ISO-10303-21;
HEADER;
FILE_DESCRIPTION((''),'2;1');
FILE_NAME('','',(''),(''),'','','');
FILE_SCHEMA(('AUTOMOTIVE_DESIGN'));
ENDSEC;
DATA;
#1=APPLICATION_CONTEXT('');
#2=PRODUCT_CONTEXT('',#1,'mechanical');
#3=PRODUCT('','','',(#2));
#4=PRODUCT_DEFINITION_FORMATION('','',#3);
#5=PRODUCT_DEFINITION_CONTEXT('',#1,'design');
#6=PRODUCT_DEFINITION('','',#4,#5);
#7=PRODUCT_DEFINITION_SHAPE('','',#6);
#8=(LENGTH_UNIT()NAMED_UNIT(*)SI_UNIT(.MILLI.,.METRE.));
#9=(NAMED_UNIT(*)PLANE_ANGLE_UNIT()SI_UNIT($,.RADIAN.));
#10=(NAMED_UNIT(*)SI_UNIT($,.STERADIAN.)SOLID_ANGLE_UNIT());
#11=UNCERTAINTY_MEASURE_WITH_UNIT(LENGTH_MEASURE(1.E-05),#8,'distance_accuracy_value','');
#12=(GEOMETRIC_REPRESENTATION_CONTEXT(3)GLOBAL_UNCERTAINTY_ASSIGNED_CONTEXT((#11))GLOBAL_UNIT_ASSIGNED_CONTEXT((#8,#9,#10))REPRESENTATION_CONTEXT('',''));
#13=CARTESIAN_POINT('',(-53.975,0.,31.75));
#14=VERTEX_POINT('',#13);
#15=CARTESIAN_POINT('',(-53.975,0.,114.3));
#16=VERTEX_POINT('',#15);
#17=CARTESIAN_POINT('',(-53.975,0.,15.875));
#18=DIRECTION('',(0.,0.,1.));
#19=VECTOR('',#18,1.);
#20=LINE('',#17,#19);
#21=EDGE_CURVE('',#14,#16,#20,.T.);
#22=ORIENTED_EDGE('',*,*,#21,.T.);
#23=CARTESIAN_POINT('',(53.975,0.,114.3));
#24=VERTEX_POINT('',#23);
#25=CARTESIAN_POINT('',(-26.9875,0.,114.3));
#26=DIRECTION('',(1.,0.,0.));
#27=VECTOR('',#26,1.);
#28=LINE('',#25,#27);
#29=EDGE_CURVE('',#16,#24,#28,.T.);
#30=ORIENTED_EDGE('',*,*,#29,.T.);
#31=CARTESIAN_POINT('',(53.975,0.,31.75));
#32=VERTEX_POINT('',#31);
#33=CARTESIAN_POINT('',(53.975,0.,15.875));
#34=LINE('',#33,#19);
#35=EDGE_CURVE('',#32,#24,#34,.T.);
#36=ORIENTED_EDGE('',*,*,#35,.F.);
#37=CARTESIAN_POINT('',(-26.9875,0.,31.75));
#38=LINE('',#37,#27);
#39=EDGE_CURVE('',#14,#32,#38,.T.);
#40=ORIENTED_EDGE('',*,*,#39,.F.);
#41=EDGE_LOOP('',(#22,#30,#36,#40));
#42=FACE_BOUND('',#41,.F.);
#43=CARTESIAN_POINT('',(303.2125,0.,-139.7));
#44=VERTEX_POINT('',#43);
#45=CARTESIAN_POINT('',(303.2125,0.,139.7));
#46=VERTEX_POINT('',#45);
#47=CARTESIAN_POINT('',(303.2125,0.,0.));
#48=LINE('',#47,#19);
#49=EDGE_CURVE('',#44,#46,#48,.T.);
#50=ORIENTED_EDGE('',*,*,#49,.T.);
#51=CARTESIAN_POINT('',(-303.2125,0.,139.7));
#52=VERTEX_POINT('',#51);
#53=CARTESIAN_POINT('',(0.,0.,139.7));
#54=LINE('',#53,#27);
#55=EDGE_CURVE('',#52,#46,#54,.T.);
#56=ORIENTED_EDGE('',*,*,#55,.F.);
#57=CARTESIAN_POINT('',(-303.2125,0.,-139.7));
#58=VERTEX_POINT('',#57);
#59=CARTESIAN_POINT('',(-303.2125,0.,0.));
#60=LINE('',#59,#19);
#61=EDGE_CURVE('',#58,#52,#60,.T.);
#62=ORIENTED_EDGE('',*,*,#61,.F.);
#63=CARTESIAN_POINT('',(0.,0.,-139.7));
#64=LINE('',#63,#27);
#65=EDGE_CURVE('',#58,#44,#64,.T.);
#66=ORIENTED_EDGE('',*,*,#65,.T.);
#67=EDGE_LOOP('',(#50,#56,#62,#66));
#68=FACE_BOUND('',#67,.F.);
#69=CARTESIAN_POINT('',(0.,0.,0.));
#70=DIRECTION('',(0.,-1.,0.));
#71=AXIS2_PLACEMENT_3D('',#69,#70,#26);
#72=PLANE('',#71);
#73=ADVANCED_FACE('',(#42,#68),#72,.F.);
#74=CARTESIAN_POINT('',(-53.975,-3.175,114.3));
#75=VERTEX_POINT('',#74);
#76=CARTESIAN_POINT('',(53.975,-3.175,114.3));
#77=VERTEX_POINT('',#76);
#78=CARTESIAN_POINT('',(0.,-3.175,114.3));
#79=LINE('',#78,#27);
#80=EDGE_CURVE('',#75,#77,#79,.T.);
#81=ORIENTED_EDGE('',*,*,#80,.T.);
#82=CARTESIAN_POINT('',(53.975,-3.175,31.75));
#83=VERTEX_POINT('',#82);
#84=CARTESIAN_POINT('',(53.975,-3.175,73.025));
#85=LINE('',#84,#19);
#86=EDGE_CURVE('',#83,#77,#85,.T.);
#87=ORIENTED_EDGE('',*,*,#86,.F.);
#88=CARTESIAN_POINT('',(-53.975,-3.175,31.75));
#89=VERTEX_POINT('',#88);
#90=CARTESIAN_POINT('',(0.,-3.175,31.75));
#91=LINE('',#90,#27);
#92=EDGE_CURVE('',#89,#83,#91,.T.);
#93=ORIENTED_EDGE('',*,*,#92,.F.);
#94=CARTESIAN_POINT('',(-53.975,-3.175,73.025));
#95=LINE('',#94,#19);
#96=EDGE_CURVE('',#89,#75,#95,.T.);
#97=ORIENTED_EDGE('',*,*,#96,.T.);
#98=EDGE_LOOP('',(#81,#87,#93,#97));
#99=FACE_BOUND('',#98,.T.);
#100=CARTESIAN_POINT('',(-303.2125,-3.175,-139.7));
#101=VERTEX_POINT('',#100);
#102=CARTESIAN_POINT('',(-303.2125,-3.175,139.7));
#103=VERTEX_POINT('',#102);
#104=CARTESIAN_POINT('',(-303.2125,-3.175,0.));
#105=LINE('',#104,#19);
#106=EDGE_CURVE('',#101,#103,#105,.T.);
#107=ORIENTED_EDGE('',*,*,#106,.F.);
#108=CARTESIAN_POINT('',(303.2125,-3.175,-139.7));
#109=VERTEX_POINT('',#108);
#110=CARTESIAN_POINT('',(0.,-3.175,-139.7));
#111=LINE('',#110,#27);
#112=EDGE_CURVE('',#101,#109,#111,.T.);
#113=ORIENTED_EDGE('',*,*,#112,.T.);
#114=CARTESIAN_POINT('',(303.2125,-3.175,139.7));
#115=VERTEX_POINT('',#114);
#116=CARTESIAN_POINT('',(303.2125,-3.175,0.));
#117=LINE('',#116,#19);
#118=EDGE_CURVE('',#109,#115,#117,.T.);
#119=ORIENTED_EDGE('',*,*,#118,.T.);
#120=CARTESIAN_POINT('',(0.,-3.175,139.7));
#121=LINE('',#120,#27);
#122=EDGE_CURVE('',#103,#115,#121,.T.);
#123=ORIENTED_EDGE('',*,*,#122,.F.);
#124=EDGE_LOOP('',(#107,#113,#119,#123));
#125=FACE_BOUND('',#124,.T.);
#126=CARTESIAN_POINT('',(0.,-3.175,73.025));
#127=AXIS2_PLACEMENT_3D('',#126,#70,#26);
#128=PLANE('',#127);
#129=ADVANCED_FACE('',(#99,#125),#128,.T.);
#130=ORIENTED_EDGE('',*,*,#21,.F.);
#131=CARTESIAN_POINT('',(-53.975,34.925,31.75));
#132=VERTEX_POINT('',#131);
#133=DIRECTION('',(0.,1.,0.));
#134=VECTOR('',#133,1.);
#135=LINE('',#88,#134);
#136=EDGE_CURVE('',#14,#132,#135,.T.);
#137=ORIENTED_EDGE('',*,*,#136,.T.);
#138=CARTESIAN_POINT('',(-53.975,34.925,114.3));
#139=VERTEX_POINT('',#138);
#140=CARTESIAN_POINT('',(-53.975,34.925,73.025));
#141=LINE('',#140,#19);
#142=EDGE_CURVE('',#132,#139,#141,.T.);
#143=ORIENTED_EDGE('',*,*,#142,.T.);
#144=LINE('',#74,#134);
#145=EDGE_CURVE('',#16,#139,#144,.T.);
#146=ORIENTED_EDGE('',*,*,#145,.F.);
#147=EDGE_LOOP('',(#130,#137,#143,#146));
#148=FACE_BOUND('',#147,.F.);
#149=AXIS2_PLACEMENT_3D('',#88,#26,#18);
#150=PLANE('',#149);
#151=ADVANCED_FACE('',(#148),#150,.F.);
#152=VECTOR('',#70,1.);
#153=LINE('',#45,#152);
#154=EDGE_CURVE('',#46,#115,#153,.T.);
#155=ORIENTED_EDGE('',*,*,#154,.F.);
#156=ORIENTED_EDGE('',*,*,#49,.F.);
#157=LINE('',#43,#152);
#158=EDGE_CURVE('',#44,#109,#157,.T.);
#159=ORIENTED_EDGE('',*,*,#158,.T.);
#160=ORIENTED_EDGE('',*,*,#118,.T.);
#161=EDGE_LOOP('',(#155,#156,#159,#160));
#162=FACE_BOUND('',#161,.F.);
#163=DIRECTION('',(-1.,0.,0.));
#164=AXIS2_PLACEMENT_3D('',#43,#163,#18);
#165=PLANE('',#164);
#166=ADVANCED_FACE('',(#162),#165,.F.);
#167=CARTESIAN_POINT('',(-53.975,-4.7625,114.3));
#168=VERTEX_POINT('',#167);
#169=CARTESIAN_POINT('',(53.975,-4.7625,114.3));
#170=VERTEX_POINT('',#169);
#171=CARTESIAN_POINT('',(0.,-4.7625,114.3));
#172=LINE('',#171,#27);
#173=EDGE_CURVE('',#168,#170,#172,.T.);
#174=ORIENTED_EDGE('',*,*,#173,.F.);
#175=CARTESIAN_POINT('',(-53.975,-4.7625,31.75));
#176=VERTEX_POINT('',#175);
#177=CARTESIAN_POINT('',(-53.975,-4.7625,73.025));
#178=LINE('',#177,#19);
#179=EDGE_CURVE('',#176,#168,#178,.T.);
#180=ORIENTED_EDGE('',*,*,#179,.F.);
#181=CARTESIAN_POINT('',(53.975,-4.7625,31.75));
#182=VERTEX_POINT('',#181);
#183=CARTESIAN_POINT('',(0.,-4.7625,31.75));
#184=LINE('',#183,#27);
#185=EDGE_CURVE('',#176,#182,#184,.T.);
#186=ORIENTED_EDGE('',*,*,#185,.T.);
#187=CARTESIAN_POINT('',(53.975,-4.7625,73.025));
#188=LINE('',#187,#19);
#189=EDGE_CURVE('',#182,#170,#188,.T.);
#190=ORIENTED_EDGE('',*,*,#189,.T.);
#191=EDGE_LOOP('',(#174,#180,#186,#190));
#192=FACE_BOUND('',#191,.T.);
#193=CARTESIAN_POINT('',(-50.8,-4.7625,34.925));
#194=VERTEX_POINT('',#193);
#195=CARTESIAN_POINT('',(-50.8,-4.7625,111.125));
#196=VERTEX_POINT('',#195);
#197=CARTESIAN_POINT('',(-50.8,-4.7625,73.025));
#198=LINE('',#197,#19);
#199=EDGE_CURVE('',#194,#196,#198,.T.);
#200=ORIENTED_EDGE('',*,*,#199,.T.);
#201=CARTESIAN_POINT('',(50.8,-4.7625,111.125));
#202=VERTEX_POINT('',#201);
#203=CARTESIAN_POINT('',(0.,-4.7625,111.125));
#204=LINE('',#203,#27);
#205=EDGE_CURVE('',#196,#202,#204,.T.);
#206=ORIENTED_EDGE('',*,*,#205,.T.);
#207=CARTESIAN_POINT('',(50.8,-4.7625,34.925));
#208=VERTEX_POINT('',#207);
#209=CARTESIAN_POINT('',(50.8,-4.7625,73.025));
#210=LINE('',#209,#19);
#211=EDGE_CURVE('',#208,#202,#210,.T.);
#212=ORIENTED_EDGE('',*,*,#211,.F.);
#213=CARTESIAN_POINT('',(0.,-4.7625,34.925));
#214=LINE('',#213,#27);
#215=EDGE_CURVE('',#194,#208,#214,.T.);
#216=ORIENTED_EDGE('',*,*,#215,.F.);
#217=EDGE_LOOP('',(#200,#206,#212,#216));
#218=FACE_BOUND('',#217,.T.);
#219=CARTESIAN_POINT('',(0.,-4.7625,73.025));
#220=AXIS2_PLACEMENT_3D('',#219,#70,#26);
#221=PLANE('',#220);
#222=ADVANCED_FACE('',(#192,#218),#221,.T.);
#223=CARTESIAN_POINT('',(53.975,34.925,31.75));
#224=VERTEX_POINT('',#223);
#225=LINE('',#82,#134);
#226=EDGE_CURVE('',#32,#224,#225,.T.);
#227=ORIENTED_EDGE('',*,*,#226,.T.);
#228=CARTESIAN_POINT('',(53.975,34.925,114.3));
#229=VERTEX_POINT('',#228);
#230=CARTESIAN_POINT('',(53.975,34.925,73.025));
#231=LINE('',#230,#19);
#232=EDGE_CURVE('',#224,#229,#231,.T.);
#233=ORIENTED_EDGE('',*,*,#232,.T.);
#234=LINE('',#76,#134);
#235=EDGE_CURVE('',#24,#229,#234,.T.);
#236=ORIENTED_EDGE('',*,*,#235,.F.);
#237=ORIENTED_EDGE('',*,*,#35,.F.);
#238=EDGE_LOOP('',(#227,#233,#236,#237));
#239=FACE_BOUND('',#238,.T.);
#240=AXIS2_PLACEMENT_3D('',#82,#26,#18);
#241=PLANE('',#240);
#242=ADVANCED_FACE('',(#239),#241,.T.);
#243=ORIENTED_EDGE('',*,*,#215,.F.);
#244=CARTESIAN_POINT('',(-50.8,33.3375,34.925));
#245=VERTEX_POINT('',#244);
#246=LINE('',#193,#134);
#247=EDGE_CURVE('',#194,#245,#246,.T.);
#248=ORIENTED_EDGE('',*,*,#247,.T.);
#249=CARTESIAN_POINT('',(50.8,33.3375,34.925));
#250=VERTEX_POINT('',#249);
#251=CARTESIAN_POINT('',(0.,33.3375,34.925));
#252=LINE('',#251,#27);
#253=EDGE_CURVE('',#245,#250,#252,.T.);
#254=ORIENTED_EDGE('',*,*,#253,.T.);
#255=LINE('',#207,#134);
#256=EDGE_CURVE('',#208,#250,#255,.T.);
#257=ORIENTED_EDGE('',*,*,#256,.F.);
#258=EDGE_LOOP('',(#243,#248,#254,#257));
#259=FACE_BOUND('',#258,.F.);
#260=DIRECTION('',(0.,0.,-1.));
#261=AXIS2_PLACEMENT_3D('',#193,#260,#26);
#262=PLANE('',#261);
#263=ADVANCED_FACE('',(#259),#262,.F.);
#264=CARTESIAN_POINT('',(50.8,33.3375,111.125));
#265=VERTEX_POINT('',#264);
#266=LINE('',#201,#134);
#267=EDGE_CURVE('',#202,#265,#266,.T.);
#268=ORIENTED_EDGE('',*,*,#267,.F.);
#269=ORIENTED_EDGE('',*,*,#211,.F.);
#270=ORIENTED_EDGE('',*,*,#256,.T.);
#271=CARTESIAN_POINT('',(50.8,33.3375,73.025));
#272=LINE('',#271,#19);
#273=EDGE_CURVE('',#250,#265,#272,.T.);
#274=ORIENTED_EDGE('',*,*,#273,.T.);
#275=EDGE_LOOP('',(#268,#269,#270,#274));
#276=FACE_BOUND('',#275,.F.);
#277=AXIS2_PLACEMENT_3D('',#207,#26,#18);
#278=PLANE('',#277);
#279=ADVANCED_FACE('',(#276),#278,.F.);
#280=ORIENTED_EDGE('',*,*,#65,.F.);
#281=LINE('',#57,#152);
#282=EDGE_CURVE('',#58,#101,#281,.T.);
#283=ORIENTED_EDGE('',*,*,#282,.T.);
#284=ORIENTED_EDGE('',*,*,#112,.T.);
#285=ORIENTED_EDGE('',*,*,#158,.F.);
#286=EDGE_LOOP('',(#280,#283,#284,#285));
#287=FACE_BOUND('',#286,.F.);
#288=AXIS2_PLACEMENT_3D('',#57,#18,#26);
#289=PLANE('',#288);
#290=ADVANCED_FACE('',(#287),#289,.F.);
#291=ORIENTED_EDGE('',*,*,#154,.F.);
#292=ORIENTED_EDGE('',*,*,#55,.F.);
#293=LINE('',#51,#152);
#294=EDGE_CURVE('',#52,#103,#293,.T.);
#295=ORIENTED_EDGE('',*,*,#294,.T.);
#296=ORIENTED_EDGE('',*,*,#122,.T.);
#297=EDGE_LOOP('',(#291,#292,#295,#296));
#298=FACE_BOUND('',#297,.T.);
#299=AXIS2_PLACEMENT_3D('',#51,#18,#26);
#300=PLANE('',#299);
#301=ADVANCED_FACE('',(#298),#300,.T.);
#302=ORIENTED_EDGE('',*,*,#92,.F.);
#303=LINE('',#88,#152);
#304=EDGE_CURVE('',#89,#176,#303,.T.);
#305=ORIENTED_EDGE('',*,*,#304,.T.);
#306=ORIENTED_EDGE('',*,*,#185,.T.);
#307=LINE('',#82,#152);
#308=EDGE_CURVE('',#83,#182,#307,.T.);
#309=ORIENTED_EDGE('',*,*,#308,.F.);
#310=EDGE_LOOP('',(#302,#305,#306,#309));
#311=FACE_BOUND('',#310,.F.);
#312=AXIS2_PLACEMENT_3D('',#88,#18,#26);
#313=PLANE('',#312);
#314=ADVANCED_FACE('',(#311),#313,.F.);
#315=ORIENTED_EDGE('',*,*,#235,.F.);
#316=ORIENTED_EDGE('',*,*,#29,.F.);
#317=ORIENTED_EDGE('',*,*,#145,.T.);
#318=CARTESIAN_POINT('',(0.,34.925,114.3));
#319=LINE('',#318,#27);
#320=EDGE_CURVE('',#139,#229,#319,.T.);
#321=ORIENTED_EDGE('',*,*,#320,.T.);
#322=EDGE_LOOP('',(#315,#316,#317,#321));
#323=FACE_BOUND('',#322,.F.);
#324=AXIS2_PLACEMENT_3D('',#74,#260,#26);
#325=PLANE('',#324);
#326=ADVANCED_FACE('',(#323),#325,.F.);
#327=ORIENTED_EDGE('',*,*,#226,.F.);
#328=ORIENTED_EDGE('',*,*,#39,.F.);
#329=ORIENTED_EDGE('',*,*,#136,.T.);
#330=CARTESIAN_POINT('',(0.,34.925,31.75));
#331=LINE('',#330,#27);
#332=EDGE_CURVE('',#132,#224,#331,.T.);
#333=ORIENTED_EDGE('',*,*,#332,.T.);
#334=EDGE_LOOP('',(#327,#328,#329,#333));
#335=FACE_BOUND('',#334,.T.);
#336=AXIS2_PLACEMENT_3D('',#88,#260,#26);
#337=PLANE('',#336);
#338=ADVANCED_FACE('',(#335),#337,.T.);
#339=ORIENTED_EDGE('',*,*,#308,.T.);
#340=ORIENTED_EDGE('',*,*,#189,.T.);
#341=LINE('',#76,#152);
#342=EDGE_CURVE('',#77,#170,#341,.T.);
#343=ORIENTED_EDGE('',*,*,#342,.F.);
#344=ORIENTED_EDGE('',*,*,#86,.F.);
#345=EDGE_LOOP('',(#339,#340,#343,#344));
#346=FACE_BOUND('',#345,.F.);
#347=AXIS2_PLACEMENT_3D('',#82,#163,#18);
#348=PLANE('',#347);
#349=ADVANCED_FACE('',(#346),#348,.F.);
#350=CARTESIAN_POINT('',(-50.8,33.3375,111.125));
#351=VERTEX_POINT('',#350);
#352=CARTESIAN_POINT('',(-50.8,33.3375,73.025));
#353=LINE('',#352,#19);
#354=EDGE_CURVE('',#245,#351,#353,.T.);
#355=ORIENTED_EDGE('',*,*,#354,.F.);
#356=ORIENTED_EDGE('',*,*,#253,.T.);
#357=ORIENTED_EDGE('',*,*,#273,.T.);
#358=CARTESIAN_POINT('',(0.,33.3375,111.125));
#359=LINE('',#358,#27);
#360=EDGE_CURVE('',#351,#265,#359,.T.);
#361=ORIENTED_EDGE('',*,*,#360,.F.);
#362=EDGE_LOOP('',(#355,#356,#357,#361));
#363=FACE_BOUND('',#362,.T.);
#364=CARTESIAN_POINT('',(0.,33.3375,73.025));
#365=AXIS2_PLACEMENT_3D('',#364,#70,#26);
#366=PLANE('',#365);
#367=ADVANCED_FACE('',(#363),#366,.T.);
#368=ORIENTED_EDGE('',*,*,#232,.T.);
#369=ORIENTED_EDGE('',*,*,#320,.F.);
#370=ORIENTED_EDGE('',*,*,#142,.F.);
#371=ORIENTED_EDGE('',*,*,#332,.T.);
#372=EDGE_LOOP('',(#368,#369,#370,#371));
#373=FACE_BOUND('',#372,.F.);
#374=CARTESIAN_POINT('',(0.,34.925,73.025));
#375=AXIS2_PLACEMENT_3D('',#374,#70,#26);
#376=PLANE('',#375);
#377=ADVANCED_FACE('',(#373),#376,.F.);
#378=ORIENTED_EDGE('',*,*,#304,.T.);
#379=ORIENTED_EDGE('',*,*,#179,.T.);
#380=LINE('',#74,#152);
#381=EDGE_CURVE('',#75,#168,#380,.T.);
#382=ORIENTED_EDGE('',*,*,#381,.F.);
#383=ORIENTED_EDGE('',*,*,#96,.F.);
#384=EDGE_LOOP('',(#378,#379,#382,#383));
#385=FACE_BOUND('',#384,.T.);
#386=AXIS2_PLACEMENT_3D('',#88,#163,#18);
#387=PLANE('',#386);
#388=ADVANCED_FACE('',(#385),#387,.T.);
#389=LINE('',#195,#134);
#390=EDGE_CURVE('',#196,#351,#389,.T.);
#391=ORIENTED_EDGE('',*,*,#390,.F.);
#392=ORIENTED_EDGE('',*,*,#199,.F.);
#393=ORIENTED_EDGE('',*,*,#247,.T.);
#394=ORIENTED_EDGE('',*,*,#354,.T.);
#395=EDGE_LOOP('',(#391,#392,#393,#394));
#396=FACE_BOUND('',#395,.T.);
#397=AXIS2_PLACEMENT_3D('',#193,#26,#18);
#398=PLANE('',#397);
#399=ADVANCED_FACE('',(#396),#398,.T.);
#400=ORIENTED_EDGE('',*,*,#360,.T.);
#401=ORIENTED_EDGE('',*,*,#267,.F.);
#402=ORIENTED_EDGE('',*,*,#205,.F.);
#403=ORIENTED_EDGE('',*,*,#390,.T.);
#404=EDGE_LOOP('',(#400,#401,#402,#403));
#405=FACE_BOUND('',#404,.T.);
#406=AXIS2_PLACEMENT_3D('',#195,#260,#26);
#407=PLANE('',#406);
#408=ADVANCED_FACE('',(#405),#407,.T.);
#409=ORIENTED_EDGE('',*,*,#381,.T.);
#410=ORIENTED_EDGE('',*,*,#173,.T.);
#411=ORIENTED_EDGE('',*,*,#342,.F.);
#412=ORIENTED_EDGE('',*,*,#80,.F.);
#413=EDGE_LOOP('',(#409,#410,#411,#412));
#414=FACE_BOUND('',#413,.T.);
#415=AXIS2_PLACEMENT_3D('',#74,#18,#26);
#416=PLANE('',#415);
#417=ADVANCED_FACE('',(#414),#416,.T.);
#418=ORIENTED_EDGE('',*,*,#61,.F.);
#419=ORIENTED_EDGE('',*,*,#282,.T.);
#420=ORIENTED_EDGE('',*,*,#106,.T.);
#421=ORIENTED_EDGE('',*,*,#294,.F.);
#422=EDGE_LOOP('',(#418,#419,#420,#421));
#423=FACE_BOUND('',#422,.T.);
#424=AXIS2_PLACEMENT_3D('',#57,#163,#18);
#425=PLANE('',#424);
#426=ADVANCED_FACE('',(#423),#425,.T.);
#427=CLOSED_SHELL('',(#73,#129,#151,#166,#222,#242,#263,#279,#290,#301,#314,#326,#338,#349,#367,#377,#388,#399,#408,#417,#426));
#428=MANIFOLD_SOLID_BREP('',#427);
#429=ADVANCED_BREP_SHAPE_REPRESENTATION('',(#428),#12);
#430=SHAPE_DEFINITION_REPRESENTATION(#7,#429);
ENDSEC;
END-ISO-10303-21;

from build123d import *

# Parameters (mm, degrees)
F0_W     = 606.425
F0_H     = 279.4
F1_DEPTH = 3.175
F2_W     = 107.95
F2_H     = 82.55
F3_DEPTH = 38.1
F4_DEPTH = 1.5875
F5_W     = 101.6
F5_H     = 76.2
F6_DEPTH = 38.1


with BuildPart() as f1:
    # F0 (on Front) → F1 (new body)
    with BuildSketch(Plane.XZ):
        Rectangle(F0_W, F0_H)
    extrude(amount=F1_DEPTH)

    # F2 (on face) → F3 (join)
    with BuildSketch(Plane.XZ.offset(3.175)):
        with Locations((0, 73.025)):
            Rectangle(F2_W, F2_H)
    extrude(amount=-F3_DEPTH)

    # F2 (on face) → F4 (join)
    with BuildSketch(Plane.XZ.offset(3.175)):
        with Locations((0, 73.025)):
            Rectangle(F2_W, F2_H)
    extrude(amount=F4_DEPTH)

    # F5 (on face) → F6 (cut)
    with BuildSketch(Plane.XZ.offset(4.7625)):
        with Locations((0, 73.025)):
            Rectangle(F5_W, F5_H)
    extrude(amount=-F6_DEPTH, mode=Mode.SUBTRACT)


solid = f1.part
